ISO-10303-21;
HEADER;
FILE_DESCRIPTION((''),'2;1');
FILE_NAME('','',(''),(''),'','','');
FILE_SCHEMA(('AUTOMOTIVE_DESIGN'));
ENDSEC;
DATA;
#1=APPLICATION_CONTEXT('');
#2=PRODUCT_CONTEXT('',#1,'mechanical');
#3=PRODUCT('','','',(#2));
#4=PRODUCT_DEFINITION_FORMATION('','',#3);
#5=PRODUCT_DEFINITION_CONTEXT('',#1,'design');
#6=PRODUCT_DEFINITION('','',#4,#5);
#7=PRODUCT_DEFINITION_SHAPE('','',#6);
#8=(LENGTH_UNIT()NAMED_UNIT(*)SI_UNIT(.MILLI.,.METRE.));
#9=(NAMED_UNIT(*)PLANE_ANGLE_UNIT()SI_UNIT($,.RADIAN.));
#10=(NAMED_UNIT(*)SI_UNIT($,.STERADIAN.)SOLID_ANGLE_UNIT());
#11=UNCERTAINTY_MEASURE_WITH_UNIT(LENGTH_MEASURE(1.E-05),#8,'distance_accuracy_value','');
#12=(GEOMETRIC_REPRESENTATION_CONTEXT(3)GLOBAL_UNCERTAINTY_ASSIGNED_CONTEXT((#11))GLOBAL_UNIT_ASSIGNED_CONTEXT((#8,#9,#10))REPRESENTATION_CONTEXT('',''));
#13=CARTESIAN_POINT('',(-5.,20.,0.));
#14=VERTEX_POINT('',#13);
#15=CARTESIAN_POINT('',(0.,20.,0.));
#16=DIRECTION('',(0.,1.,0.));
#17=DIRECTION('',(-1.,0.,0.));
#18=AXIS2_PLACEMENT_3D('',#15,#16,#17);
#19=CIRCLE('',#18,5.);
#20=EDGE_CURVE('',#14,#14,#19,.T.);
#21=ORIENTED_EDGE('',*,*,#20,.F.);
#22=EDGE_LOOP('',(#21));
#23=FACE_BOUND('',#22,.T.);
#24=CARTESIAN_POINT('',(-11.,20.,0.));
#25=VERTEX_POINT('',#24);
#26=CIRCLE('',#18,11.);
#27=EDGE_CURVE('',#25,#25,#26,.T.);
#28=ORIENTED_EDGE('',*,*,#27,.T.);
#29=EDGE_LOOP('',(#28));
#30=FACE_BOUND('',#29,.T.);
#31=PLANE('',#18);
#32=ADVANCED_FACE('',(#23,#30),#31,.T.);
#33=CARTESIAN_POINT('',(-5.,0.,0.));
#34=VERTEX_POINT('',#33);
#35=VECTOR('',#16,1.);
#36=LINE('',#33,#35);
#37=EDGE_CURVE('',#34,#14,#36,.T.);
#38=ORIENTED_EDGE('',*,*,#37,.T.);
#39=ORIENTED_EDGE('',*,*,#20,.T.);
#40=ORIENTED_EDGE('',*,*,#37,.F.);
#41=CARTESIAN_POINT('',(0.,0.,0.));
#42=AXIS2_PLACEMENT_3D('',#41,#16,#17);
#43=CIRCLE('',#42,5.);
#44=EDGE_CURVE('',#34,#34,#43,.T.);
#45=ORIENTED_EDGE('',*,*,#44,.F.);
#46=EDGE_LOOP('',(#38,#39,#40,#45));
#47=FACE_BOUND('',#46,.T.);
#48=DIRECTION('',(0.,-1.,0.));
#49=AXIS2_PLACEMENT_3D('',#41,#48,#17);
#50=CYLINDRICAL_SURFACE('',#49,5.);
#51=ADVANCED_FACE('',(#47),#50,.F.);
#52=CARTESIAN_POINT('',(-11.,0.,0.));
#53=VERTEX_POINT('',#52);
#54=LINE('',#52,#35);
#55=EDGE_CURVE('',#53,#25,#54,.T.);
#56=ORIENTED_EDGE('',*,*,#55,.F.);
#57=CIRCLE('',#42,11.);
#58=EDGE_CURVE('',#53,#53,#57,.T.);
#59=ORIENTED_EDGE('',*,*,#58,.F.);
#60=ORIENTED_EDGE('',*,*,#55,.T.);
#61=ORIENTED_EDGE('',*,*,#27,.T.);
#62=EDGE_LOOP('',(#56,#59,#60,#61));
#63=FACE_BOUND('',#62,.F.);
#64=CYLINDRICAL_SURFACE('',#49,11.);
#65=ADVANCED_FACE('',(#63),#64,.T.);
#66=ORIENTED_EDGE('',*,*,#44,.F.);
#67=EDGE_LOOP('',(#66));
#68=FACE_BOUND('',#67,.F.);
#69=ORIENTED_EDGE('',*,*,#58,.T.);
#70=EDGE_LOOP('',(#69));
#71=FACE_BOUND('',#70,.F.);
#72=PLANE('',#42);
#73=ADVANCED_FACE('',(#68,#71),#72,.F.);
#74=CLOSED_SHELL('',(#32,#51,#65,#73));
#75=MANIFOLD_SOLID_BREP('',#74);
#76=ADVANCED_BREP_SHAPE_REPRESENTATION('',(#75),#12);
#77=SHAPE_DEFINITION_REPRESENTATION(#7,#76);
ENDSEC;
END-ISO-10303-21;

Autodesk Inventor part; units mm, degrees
ref_plane "YZ Plane" through (0, 0, 0) normal (1, 0, 0) x (0, 1, 0)
ref_plane "XZ Plane" through (0, 0, 0) normal (0, 1, 0) x (-1, 0, 0)
ref_plane "XY Plane" through (0, 0, 0) normal (0, 0, 1) x (1, 0, 0)
sketch "Sketch1" plane through (0, 0, 0) normal (0, 1, 0) x (-1, 0, 0)
  circle A0 centre (0, 0) radius 5
  circle A1 centre (0, 0) radius 11
  dimension "d0" = 10
  dimension "d1" = 22
extrude "Extrusion1" add sketch "Sketch1" along normal blind 20
thread "Thread1" size "M10x1.5" class "6H" standard "ANSI Metric M Profile" full length
properties part number "SpindleBlock_V1" material "Brass, Soft Yellow"
